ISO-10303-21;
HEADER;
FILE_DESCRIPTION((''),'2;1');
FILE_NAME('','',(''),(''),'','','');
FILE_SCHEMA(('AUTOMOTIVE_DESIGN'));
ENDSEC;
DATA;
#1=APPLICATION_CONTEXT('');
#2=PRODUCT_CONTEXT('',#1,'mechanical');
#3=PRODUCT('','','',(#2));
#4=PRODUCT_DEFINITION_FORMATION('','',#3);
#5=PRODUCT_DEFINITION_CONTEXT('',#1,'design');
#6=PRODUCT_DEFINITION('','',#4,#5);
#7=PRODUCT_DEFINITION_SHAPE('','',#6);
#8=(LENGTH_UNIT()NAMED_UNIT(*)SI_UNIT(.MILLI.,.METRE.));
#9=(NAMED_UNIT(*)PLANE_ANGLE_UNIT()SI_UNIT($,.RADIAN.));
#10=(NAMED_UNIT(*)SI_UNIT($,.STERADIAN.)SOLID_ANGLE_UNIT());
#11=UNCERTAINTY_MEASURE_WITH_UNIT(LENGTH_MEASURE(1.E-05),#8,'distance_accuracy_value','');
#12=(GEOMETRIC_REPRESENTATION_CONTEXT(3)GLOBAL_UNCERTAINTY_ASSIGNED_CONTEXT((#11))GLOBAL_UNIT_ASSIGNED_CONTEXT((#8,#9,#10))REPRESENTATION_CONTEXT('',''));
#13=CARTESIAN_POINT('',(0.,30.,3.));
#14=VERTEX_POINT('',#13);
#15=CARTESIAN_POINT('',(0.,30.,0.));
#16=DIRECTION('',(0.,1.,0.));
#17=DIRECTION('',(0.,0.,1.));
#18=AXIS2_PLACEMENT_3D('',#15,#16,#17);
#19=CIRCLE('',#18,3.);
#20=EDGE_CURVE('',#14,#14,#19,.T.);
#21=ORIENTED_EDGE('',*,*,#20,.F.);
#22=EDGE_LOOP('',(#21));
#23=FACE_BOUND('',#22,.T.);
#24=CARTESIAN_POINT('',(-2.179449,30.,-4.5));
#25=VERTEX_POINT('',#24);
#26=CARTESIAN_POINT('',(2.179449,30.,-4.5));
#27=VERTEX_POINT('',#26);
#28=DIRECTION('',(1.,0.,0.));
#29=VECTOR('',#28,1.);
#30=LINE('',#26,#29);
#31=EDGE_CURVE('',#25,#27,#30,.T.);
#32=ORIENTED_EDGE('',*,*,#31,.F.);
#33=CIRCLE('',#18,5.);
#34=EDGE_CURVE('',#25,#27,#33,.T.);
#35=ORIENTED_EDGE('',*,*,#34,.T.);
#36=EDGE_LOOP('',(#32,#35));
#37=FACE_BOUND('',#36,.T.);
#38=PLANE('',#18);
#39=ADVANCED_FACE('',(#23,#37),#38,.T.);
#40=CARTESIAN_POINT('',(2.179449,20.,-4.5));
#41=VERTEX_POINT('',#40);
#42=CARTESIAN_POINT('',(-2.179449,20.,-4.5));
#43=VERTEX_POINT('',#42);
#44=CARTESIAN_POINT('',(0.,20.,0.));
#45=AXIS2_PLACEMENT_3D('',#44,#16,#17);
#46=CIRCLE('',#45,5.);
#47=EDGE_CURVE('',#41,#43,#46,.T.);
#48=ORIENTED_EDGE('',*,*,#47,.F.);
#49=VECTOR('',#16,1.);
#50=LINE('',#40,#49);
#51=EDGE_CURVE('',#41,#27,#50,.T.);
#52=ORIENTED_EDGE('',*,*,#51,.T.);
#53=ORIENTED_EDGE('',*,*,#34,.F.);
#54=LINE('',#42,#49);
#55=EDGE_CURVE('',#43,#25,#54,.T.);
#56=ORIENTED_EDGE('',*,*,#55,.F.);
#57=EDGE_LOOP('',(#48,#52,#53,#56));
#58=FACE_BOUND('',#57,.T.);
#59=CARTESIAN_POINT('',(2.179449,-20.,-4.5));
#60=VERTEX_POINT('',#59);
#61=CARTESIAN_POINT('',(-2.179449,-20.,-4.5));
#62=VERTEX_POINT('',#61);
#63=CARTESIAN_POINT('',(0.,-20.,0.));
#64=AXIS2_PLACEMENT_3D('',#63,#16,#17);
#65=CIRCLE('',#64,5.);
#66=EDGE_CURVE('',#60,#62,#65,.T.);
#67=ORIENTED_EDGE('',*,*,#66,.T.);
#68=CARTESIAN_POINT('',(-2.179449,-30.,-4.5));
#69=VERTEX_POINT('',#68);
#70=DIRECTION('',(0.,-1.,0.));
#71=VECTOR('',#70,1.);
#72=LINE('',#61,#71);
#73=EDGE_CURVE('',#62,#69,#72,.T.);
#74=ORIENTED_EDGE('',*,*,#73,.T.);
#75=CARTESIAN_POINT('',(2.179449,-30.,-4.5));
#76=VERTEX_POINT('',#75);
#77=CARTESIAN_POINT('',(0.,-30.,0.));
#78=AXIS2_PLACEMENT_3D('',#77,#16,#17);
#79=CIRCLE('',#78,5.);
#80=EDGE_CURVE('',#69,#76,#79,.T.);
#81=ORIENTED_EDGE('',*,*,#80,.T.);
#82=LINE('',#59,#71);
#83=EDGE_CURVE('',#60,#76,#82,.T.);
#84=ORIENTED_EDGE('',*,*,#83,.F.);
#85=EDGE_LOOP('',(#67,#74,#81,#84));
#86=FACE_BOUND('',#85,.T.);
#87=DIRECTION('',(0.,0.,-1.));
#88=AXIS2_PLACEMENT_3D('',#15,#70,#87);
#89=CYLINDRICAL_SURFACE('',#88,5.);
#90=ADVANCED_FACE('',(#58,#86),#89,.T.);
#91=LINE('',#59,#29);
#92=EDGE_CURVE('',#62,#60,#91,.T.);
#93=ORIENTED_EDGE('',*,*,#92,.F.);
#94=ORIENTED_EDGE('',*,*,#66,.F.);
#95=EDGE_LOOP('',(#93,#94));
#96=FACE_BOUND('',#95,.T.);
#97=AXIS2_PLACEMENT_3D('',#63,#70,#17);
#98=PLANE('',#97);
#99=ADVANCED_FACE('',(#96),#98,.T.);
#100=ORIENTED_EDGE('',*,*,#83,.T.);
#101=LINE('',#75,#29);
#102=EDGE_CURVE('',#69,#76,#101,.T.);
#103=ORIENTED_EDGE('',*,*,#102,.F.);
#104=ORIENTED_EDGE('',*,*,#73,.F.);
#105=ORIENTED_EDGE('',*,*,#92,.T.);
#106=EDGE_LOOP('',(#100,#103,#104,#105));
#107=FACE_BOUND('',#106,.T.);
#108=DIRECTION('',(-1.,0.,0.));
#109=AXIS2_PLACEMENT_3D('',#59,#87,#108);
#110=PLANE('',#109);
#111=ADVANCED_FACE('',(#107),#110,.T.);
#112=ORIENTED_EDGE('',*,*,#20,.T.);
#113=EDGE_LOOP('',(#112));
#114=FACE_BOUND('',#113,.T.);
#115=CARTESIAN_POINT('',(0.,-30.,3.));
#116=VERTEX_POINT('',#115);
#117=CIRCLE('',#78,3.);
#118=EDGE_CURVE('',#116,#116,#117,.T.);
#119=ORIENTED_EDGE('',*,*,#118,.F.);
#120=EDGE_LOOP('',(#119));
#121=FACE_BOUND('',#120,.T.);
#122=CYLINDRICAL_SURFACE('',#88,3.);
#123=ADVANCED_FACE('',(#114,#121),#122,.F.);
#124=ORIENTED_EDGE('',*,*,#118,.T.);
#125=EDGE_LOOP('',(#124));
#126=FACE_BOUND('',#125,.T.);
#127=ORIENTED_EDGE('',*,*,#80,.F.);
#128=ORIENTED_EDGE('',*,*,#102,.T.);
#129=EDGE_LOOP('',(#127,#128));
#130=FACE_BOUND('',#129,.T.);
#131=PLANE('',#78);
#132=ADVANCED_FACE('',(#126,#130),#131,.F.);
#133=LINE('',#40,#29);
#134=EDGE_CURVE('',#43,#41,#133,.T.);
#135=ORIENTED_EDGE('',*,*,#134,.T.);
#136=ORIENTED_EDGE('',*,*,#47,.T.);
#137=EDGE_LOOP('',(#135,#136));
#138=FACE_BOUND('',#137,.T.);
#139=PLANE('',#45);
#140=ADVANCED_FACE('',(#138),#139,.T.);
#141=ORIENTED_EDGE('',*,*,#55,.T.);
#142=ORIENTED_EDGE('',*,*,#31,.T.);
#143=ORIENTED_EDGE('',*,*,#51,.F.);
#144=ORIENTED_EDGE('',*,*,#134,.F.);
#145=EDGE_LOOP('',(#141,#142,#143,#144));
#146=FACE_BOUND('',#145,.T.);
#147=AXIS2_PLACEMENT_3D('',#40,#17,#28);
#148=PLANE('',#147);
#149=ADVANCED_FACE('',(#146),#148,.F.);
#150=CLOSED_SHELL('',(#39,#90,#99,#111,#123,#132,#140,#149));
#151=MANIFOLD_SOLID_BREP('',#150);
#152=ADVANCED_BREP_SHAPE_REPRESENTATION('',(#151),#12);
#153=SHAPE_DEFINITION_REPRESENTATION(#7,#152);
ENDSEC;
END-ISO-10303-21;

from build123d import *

# Parameters (mm, degrees)
SKETCH4_R           = 5
SKETCH4_R_2         = 3
BOSS_EXTRUDE1_DEPTH = 30
CUT_EXTRUDE1_DEPTH  = 10


with BuildPart() as part:
    # Sketch4 → Boss-Extrude1 (new, symmetric)
    with BuildSketch(Plane(origin=(0, 0, 0), x_dir=(1, 0, 0), z_dir=(0, 1, 0))):
        with Locations(Location((0, 0, 0), (0, 0, 270))):
            Circle(SKETCH4_R)
        with Locations(Location((0, 0, 0), (0, 0, 270))):
            Circle(SKETCH4_R_2, mode=Mode.SUBTRACT)
    extrude(amount=BOSS_EXTRUDE1_DEPTH, both=True)

    # Sketch10 → Cut-Extrude1 (cut)
    with BuildSketch(Plane(origin=(0, 30, 0), x_dir=(1, 0, 0), z_dir=(0, 1, 0))):
        with BuildLine():
            Line((2.179449472, 4.5), (-2.179449472, 4.5))
            ThreePointArc((-2.179449472, 4.5), (0, 5), (2.179449472, 4.5))
        make_face()
    cut_extrude1 = extrude(amount=-CUT_EXTRUDE1_DEPTH, mode=Mode.SUBTRACT)

    # Mirror2: Cut-Extrude1 across plane
    add(cut_extrude1.mirror(Plane.ZX), mode=Mode.SUBTRACT)


solid = part.part
